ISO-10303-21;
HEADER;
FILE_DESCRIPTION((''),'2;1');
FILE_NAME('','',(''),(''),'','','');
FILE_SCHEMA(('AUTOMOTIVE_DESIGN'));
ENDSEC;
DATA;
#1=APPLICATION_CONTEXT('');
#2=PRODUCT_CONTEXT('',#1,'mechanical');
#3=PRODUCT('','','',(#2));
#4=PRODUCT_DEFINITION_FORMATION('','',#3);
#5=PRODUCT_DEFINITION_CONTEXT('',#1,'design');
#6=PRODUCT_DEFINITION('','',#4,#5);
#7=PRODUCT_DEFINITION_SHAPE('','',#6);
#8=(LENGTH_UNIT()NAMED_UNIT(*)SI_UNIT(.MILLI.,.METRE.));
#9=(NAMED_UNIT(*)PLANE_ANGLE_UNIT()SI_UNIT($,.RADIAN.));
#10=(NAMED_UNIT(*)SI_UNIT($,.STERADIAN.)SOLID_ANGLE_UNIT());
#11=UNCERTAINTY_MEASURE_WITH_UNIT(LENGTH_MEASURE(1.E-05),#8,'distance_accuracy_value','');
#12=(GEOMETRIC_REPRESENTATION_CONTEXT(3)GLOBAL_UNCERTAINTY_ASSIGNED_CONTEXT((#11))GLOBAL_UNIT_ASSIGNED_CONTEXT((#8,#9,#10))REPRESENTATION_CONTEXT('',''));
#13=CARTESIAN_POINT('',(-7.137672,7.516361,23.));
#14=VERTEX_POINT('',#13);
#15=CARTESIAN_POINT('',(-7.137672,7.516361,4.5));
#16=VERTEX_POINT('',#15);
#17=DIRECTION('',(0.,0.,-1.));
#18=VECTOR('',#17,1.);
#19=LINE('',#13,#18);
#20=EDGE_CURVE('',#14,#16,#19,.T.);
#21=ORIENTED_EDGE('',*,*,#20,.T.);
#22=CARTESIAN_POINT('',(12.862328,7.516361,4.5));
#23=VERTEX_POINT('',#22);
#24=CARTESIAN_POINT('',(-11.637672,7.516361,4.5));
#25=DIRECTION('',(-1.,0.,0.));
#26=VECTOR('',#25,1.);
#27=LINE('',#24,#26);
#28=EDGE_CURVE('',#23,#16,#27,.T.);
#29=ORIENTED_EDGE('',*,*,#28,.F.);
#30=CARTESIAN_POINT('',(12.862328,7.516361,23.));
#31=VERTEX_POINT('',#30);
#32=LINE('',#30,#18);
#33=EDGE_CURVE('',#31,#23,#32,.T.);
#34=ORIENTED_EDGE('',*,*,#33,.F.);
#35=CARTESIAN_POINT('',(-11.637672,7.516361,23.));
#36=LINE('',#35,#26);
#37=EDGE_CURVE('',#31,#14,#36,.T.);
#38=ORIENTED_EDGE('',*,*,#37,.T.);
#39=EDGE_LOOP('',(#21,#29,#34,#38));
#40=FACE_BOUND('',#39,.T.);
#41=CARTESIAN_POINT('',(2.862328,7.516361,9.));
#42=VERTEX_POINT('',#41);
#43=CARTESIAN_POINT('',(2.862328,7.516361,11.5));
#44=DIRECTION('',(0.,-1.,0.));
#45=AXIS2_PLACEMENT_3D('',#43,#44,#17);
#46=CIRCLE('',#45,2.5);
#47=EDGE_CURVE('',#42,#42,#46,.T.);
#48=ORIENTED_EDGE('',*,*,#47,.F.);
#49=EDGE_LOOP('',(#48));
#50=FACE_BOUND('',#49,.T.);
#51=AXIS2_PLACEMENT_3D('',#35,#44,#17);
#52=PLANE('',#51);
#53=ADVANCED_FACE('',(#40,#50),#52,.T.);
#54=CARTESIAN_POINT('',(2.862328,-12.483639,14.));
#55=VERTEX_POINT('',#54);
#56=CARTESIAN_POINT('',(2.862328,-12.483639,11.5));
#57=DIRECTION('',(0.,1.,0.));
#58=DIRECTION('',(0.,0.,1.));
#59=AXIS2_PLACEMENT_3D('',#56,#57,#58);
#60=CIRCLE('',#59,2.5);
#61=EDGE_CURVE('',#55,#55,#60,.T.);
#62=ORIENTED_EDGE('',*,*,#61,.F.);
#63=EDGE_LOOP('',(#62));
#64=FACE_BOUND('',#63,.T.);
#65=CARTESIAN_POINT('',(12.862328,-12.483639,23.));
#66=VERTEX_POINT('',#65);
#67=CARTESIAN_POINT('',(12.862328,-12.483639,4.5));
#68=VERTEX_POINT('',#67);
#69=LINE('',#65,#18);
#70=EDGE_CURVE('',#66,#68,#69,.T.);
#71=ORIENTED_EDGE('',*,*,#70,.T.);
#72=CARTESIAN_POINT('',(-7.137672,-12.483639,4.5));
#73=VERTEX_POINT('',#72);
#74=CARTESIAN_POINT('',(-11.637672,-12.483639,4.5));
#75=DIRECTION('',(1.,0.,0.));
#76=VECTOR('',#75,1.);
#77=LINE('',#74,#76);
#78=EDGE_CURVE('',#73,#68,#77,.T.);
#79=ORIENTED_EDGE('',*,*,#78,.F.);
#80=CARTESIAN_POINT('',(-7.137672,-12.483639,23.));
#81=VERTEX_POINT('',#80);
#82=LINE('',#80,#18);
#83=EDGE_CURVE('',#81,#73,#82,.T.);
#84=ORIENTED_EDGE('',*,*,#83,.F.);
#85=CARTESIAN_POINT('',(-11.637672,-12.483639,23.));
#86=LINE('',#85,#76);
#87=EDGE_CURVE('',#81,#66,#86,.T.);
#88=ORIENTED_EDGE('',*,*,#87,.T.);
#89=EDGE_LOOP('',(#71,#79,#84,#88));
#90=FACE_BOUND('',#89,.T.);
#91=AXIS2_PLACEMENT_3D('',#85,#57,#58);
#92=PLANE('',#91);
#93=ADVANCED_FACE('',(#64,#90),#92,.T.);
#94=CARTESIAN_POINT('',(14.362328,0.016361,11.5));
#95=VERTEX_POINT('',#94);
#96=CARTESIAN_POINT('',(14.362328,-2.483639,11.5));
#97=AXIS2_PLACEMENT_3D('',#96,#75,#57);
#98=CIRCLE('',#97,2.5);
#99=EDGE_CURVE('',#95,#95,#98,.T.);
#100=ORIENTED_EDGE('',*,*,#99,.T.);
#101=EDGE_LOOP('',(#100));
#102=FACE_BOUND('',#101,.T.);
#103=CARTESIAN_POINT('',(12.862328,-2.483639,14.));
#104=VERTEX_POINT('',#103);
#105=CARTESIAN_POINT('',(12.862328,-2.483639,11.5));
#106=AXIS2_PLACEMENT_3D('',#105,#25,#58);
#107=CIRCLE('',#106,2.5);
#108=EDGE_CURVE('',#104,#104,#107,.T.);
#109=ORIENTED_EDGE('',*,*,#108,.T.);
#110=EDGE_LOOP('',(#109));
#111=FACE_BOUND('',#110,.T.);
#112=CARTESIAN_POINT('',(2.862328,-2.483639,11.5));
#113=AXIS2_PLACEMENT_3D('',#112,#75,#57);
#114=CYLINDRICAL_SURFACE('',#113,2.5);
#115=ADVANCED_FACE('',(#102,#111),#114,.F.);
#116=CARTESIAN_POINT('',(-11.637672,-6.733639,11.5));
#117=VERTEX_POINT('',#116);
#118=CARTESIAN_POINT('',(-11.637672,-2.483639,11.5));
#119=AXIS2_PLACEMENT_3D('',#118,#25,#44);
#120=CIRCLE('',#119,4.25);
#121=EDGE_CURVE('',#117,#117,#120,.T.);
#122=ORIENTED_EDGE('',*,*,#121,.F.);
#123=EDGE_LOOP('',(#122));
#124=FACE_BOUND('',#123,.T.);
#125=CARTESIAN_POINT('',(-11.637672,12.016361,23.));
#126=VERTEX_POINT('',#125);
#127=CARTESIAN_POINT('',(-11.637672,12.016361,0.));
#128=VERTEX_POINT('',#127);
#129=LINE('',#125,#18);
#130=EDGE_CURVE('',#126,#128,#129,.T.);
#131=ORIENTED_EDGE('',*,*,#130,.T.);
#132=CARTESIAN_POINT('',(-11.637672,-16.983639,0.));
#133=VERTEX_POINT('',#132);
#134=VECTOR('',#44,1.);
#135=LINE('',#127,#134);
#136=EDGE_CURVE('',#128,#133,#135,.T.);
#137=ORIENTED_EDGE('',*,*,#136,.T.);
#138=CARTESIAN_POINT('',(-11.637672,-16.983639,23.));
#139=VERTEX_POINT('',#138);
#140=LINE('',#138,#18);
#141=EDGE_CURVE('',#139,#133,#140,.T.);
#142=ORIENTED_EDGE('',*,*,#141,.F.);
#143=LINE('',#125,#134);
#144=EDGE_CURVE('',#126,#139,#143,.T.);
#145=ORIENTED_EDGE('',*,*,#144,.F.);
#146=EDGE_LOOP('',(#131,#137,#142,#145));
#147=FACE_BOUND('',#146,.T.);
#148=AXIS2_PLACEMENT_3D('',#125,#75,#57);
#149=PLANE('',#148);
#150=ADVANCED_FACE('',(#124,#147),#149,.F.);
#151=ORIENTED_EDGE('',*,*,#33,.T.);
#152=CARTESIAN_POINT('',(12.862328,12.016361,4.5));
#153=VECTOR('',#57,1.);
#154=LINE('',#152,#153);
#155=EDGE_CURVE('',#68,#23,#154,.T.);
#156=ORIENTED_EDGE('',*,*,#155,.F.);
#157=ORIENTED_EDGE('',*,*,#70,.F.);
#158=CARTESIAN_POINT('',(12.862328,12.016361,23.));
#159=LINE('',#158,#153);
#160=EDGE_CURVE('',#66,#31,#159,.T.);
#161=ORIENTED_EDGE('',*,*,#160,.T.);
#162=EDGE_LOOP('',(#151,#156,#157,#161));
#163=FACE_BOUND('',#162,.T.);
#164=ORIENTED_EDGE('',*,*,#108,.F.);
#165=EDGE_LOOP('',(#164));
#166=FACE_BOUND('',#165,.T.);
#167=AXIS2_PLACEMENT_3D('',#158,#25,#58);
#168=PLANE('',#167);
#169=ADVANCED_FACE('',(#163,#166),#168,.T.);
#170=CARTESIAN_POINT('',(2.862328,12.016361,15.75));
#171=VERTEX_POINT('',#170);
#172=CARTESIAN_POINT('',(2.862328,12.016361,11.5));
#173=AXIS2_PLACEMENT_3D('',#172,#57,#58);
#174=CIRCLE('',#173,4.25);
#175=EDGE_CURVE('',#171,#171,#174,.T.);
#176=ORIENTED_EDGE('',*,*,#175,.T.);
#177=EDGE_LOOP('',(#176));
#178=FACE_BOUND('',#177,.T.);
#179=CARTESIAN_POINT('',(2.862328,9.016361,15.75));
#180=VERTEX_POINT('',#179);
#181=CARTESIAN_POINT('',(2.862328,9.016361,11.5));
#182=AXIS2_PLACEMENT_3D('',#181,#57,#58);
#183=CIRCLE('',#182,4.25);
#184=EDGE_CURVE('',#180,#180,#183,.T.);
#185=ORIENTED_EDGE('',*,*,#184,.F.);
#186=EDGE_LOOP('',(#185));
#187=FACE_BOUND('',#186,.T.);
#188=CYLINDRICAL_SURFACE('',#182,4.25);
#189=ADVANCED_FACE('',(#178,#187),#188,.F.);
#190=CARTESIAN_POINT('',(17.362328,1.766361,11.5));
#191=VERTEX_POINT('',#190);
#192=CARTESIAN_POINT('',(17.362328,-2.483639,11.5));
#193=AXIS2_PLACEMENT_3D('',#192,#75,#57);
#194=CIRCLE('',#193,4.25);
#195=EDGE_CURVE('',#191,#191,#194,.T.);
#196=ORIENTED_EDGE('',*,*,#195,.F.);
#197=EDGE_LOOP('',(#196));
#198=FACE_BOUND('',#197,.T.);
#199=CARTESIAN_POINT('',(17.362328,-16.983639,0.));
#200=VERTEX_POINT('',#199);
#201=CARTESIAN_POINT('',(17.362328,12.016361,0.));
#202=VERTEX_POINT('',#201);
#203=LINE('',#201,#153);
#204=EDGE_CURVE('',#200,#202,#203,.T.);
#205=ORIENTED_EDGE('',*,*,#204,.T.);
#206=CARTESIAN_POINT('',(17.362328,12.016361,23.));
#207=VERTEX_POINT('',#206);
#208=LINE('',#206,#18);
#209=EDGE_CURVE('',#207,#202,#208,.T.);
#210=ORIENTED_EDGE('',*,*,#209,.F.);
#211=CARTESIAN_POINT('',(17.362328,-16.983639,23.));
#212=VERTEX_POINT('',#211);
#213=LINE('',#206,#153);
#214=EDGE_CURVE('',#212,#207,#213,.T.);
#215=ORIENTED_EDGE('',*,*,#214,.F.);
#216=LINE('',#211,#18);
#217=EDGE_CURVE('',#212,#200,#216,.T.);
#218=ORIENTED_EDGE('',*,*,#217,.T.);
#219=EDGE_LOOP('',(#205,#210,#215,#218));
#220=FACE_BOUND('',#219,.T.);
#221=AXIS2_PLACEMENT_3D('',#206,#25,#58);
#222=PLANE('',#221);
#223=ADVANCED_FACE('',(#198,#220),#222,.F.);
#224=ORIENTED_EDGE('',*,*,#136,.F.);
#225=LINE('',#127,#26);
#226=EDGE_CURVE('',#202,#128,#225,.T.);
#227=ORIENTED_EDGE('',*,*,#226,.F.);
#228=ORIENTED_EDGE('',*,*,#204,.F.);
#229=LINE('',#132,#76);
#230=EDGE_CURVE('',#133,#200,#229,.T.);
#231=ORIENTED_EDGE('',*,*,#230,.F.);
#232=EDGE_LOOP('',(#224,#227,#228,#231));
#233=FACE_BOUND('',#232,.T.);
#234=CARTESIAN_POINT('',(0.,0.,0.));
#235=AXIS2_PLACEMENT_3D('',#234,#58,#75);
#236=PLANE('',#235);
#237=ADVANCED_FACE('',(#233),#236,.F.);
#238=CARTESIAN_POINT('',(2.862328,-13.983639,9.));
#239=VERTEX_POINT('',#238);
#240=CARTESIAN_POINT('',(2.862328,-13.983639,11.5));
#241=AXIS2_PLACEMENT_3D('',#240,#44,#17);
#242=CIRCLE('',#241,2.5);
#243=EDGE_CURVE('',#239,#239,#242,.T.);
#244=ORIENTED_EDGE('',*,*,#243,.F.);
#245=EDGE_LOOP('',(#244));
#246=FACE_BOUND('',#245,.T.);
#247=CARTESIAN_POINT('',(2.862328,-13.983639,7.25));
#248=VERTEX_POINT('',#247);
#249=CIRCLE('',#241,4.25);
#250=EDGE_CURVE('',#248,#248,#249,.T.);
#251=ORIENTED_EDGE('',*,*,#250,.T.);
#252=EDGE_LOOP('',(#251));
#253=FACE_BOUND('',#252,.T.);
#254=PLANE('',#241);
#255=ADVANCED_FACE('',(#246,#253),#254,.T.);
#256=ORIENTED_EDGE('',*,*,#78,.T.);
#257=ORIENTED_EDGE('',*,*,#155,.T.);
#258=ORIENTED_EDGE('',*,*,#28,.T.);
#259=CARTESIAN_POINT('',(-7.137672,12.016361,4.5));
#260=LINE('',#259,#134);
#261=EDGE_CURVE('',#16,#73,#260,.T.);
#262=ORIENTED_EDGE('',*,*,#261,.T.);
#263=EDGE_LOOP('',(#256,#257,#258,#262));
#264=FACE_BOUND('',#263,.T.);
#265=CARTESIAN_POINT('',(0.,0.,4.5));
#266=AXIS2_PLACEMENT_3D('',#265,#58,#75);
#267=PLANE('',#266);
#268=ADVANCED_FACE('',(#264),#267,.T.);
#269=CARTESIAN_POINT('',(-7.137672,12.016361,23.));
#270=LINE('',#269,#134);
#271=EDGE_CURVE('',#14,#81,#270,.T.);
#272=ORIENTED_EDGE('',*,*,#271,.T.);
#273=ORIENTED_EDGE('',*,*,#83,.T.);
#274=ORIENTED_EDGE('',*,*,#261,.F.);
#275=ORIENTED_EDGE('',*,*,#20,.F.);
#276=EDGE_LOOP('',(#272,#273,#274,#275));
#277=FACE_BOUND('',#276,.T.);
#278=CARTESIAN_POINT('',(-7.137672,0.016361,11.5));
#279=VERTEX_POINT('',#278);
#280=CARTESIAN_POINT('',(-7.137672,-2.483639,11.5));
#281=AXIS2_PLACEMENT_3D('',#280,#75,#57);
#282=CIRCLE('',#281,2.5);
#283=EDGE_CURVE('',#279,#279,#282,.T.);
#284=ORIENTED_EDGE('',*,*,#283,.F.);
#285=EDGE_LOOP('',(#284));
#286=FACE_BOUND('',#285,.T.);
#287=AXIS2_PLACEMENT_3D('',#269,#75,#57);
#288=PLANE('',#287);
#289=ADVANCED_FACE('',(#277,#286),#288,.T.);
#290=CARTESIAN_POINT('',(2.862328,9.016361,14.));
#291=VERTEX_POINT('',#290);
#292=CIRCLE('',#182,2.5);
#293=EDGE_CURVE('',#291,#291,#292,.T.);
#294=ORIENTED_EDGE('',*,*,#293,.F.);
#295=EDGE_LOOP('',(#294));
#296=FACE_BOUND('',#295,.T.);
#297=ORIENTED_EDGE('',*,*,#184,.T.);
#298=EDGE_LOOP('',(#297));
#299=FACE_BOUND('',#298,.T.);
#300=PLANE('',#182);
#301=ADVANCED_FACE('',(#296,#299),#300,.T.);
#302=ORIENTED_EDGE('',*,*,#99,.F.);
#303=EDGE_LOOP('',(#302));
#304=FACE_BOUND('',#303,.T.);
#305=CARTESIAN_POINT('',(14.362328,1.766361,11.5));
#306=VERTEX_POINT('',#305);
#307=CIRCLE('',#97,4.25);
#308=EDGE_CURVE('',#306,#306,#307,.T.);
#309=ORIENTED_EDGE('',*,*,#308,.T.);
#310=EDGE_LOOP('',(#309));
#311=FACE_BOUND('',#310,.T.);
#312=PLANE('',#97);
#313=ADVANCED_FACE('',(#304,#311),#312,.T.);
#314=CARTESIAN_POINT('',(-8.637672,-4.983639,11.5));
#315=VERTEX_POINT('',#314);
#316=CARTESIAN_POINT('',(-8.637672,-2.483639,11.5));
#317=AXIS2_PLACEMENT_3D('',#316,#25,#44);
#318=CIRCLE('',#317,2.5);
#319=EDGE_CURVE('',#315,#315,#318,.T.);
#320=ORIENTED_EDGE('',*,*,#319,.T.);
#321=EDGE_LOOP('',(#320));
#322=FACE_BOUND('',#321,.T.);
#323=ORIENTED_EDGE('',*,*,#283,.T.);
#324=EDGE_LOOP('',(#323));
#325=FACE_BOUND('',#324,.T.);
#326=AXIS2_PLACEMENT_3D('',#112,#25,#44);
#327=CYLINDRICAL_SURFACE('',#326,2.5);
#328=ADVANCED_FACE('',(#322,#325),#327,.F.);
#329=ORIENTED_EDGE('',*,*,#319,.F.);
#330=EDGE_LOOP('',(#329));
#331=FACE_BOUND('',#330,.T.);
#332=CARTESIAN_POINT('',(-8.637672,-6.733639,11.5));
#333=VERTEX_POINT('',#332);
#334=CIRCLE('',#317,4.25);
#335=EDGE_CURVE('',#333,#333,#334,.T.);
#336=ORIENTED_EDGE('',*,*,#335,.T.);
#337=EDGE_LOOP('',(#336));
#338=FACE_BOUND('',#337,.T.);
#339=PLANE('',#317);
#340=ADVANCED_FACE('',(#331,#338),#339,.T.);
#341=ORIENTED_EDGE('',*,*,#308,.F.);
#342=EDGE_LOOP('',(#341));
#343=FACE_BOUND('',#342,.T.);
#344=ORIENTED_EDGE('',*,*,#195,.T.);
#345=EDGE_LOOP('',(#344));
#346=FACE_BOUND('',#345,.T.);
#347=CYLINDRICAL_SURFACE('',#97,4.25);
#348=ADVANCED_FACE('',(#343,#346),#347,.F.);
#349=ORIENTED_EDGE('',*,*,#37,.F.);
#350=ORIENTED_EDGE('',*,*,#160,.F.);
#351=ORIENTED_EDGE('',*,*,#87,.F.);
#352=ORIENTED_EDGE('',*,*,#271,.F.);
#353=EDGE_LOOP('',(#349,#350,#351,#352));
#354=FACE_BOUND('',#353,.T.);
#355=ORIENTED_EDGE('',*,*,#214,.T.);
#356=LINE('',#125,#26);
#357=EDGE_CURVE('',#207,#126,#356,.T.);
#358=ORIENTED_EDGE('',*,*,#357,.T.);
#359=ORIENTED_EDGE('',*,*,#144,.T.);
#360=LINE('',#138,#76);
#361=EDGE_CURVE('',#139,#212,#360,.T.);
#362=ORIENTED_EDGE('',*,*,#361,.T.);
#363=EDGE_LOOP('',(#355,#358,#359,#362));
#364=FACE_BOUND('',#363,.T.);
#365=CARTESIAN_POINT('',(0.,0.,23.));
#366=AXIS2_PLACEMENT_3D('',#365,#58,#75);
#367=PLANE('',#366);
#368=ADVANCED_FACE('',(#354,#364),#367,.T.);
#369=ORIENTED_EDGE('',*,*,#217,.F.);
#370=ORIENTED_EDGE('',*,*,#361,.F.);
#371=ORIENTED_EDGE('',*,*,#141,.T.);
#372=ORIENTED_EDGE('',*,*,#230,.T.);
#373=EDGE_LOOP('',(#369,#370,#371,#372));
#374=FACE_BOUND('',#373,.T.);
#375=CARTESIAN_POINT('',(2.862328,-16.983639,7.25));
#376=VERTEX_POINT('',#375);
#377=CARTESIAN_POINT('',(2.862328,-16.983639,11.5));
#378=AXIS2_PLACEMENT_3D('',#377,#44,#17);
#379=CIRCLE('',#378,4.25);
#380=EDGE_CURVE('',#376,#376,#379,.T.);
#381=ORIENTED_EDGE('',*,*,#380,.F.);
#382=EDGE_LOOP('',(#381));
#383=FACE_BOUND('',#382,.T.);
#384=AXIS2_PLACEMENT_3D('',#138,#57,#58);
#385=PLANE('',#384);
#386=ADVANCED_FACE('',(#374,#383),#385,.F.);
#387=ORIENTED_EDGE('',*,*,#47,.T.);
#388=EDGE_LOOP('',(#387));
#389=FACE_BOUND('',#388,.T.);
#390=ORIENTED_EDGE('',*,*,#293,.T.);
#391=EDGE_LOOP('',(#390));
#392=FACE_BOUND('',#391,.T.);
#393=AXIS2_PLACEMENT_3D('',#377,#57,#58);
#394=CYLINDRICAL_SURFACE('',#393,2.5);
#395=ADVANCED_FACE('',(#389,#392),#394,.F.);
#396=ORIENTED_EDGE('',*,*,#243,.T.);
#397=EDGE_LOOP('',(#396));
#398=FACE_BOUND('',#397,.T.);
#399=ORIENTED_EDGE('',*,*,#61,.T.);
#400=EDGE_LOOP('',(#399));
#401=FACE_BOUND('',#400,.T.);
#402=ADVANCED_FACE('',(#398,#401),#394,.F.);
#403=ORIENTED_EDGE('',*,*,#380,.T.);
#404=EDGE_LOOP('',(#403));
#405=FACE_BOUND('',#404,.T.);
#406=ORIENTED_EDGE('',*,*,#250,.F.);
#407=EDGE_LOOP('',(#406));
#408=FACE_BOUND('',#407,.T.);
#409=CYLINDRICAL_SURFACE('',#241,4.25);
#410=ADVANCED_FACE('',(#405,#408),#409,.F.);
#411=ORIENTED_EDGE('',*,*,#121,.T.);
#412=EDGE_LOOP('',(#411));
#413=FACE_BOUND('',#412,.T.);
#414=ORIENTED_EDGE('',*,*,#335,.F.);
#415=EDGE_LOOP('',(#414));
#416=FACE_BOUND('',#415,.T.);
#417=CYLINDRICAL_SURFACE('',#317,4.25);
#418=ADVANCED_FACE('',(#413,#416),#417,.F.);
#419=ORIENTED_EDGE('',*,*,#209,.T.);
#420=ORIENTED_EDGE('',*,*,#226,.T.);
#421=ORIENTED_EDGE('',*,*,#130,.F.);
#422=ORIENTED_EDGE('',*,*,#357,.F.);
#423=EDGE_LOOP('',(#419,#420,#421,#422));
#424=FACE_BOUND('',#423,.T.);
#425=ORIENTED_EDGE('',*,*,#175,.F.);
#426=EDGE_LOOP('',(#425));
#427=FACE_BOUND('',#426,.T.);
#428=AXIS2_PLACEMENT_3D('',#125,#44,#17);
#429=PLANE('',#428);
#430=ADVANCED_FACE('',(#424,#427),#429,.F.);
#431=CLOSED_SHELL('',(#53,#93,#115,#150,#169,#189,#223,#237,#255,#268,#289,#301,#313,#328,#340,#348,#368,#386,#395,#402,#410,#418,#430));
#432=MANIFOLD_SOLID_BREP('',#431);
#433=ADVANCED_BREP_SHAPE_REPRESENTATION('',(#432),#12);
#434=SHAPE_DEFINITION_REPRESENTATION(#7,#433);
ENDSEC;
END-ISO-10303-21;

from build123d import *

# Parameters (mm, degrees)
SKETCH2_W           = 29
SKETCH2_H           = 29
BOSS_EXTRUDE3_DEPTH = 23
SHELL3_T            = -4.5
SKETCH7_R           = 4.25
CUT_EXTRUDE9_DEPTH  = 3
SKETCH10_R          = 4.25
CUT_EXTRUDE10_DEPTH = 3
CUT_EXTRUDE11_START = -3
SKETCH9_R           = 4.25
CUT_EXTRUDE11_DEPTH = 3
CUT_EXTRUDE12_START = -3
SKETCH8_R           = 4.25
CUT_EXTRUDE12_DEPTH = 3
SKETCH12_R          = 2.5
CUT_EXTRUDE13_DEPTH = 39.813018756
SKETCH13_R          = 2.5
CUT_EXTRUDE14_DEPTH = 11.5
CUT_EXTRUDE15_START = -11.5
SKETCH14_R          = 2.5
CUT_EXTRUDE15_DEPTH = 11.5


with BuildPart() as part:
    # Sketch2 → Boss-Extrude3 (new body)
    with BuildSketch(Plane.XY):
        with Locations((2.862327752, -2.483638693)):
            Rectangle(SKETCH2_W, SKETCH2_H)
    extrude(amount=BOSS_EXTRUDE3_DEPTH)

    # Shell3
    shell3_openings = [part.faces().sort_by_distance(p)[0] for p in [
        (2.862327752, -2.483638693, 23),
    ]]
    offset(amount=SHELL3_T, openings=shell3_openings, kind=Kind.INTERSECTION)

    # Sketch7 → Cut-Extrude9 (cut)
    with BuildSketch(Plane(origin=(0, -16.983638693, 0), x_dir=(-1, 0, 0), z_dir=(0, -1, 0))):
        with Locations(Location((-2.862327752, -11.5, 0), (0, 0, 90))):
            Circle(SKETCH7_R)
    extrude(amount=-CUT_EXTRUDE9_DEPTH, mode=Mode.SUBTRACT)

    # Sketch10 → Cut-Extrude10 (cut)
    with BuildSketch(Plane(origin=(17.362327752, 0, 0), x_dir=(0, 0, -1), z_dir=(1, 0, 0))):
        with Locations(Location((-11.5, -2.483638693, 0), (0, 0, 90))):
            Circle(SKETCH10_R)
    extrude(amount=-CUT_EXTRUDE10_DEPTH, mode=Mode.SUBTRACT)

    # Sketch9 → Cut-Extrude11 (cut)
    with BuildSketch(Plane(origin=(0, 12.016361307, 0), x_dir=(1, 0, 0), z_dir=(0, 1, 0)).offset(CUT_EXTRUDE11_START)):
        with Locations(Location((2.862327752, -11.5, 0), (0, 0, 90))):
            Circle(SKETCH9_R)
    extrude(amount=CUT_EXTRUDE11_DEPTH, mode=Mode.SUBTRACT)

    # Sketch8 → Cut-Extrude12 (cut)
    with BuildSketch(Plane.ZY.offset(11.637672248).offset(CUT_EXTRUDE12_START)):
        with Locations(Location((11.5, -2.483638693, 0), (0, 0, 90))):
            Circle(SKETCH8_R)
    extrude(amount=CUT_EXTRUDE12_DEPTH, mode=Mode.SUBTRACT)

    # Sketch12 → Cut-Extrude13 (cut, through all)
    with BuildSketch(Plane(origin=(0, 9.016361307, 0), x_dir=(1, 0, 0), z_dir=(0, 1, 0))):
        with Locations(Location((2.862327752, -11.5, 0), (0, 0, 270))):
            Circle(SKETCH12_R)
    extrude(amount=-CUT_EXTRUDE13_DEPTH, mode=Mode.SUBTRACT)

    # Sketch13 → Cut-Extrude14 (cut)
    with BuildSketch(Plane(origin=(14.362327752, 0, 0), x_dir=(0, 0, -1), z_dir=(1, 0, 0))):
        with Locations(Location((-11.5, -2.483638693, 0), (0, 0, 90))):
            Circle(SKETCH13_R)
    extrude(amount=-CUT_EXTRUDE14_DEPTH, mode=Mode.SUBTRACT)

    # Sketch14 → Cut-Extrude15 (cut)
    with BuildSketch(Plane.ZY.offset(8.637672248).offset(CUT_EXTRUDE15_START)):
        with Locations(Location((11.5, -2.483638693, 0), (0, 0, 90))):
            Circle(SKETCH14_R)
    extrude(amount=CUT_EXTRUDE15_DEPTH, mode=Mode.SUBTRACT)


solid = part.part
